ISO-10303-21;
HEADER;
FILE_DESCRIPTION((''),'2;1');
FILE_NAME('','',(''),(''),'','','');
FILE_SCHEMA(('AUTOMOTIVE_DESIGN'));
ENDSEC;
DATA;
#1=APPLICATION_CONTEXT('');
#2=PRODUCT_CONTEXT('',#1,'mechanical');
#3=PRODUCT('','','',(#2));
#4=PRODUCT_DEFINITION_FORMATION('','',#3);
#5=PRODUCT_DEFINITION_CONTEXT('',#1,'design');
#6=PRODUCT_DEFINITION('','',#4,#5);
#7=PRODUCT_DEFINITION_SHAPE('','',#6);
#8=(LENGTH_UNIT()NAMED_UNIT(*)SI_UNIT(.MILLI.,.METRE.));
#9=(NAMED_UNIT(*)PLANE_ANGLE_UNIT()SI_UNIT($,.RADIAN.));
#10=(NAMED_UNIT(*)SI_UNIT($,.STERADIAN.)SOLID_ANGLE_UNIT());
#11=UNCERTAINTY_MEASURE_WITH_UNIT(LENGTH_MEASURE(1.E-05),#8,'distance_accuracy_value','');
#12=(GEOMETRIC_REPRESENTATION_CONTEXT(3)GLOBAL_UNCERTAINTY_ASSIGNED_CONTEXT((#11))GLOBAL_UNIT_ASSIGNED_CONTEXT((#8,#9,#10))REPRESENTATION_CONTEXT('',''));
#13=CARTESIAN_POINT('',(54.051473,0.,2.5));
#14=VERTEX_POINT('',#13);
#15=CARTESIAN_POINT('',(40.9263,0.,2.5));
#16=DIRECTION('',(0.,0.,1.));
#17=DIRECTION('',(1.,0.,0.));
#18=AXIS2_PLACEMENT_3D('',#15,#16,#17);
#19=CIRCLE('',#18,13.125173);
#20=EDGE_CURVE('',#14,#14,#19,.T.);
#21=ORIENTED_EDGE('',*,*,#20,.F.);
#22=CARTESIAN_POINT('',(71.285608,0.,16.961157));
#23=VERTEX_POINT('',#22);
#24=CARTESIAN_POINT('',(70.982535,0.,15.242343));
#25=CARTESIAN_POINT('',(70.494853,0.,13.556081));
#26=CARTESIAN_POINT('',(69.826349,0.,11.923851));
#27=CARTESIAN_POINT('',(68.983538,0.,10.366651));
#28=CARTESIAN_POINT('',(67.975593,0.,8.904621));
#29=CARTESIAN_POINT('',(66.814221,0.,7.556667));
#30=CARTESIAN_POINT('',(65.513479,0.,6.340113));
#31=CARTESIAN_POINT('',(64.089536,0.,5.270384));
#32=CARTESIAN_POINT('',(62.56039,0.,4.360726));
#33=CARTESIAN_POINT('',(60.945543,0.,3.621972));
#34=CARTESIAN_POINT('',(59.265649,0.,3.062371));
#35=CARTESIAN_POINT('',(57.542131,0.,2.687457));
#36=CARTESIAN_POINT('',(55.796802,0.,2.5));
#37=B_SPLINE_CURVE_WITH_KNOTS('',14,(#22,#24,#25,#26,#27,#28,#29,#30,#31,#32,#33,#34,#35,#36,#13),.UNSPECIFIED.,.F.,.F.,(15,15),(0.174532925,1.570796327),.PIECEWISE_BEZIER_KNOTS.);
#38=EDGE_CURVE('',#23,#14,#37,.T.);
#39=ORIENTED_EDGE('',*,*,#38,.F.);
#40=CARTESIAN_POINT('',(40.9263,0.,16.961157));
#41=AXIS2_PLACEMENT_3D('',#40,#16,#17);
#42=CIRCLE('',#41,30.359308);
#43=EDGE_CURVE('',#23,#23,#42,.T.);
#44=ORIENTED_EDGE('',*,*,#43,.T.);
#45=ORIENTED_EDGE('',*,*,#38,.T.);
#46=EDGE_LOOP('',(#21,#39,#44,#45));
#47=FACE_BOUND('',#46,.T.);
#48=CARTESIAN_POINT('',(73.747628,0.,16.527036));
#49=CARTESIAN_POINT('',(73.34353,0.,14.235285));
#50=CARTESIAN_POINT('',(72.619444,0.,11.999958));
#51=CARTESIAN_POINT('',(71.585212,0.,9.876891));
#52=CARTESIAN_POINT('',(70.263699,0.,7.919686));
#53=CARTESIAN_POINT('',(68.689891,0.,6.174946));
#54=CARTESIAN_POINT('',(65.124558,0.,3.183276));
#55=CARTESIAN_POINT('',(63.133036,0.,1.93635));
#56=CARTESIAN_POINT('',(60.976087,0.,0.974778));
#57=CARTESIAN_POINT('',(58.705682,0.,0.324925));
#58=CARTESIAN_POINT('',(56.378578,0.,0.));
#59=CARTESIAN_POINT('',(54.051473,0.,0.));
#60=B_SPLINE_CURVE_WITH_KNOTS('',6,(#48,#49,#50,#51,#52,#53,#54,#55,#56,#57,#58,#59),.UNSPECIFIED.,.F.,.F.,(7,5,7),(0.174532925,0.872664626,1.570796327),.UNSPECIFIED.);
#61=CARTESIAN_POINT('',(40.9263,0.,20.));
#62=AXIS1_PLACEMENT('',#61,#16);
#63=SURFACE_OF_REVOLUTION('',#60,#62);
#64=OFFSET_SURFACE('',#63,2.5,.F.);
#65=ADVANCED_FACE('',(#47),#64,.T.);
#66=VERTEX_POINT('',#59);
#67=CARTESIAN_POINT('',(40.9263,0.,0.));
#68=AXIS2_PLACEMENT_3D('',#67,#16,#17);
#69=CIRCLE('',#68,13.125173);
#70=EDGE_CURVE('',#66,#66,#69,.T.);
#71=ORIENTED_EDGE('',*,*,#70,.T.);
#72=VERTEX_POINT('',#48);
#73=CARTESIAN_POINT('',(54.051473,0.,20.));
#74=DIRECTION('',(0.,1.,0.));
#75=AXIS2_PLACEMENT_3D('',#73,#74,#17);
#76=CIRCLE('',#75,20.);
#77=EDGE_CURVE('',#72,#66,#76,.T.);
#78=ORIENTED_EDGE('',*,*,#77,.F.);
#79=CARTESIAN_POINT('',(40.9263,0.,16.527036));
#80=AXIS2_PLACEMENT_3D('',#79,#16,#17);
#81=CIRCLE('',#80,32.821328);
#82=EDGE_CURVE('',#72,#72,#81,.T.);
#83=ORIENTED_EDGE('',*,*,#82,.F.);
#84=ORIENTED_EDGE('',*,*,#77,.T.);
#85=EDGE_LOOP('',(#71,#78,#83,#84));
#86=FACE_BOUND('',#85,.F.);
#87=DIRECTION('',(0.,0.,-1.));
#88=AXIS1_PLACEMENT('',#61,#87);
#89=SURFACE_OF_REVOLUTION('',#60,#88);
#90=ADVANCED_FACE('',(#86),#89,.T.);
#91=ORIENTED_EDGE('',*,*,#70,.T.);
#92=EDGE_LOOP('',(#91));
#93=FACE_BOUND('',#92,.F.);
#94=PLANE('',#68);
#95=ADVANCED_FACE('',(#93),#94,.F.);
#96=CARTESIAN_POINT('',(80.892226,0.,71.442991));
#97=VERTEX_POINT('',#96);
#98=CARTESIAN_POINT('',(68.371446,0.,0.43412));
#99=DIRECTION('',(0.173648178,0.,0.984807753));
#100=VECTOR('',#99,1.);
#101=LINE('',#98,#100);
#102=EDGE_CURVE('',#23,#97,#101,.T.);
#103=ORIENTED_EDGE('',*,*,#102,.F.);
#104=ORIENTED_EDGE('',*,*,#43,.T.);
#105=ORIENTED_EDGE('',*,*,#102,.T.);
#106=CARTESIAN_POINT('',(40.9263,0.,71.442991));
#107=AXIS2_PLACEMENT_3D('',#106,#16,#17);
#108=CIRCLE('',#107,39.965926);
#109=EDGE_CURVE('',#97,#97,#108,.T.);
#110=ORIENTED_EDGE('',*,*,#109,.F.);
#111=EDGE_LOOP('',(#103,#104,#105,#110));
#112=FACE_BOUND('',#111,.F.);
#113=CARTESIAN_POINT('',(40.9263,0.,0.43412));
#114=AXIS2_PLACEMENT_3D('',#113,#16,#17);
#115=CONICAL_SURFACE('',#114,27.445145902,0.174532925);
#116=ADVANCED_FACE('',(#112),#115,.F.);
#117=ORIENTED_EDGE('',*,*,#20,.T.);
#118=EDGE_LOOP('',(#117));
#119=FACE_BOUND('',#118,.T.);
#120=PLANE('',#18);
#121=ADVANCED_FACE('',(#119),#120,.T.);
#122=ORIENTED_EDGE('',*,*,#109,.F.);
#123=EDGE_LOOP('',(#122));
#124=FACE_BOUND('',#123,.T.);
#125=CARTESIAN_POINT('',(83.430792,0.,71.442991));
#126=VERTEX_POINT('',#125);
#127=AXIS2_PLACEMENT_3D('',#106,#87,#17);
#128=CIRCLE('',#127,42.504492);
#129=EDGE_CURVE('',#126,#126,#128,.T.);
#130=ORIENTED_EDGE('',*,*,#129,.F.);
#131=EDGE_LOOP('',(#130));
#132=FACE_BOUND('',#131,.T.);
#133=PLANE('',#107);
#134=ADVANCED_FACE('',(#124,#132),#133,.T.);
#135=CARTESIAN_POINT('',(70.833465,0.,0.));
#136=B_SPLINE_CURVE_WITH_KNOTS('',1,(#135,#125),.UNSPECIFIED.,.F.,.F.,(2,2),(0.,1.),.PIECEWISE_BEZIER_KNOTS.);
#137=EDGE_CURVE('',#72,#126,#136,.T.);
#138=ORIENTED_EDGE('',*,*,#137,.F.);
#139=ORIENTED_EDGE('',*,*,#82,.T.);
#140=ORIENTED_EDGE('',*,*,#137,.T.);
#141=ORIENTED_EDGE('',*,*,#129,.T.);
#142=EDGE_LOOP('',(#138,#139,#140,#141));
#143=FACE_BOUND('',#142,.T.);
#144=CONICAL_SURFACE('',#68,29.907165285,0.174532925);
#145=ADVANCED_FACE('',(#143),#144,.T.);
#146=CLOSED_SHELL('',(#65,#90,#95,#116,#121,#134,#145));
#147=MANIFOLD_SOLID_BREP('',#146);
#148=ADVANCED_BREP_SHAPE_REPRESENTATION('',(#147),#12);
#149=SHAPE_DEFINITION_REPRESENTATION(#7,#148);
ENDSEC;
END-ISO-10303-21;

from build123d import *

# Parameters (mm, degrees)
F0_R     = 29.9071652846
F1_DEPTH = 71.4429914951
F1_TAPER = -10
F2_R     = 20
F3_T     = -2.5


with BuildPart() as f1:
    # F0 (on Top) → F1 (new body)
    with BuildSketch(Plane.XY):
        with Locations((40.9262999892, 0)):
            Circle(F0_R)
    extrude(amount=F1_DEPTH, taper=F1_TAPER)

    # F2
    f2_edges = [f1.edges().sort_by_distance(p)[0] for p in [
        (11.019135, 0, 0),
    ]]
    fillet(f2_edges, radius=F2_R)

    # F3
    f3_openings = [f1.faces().sort_by_distance(p)[0] for p in [
        (40.9263, 0, 71.442991),
    ]]
    offset(amount=F3_T, openings=f3_openings, kind=Kind.INTERSECTION)


solid = f1.part
